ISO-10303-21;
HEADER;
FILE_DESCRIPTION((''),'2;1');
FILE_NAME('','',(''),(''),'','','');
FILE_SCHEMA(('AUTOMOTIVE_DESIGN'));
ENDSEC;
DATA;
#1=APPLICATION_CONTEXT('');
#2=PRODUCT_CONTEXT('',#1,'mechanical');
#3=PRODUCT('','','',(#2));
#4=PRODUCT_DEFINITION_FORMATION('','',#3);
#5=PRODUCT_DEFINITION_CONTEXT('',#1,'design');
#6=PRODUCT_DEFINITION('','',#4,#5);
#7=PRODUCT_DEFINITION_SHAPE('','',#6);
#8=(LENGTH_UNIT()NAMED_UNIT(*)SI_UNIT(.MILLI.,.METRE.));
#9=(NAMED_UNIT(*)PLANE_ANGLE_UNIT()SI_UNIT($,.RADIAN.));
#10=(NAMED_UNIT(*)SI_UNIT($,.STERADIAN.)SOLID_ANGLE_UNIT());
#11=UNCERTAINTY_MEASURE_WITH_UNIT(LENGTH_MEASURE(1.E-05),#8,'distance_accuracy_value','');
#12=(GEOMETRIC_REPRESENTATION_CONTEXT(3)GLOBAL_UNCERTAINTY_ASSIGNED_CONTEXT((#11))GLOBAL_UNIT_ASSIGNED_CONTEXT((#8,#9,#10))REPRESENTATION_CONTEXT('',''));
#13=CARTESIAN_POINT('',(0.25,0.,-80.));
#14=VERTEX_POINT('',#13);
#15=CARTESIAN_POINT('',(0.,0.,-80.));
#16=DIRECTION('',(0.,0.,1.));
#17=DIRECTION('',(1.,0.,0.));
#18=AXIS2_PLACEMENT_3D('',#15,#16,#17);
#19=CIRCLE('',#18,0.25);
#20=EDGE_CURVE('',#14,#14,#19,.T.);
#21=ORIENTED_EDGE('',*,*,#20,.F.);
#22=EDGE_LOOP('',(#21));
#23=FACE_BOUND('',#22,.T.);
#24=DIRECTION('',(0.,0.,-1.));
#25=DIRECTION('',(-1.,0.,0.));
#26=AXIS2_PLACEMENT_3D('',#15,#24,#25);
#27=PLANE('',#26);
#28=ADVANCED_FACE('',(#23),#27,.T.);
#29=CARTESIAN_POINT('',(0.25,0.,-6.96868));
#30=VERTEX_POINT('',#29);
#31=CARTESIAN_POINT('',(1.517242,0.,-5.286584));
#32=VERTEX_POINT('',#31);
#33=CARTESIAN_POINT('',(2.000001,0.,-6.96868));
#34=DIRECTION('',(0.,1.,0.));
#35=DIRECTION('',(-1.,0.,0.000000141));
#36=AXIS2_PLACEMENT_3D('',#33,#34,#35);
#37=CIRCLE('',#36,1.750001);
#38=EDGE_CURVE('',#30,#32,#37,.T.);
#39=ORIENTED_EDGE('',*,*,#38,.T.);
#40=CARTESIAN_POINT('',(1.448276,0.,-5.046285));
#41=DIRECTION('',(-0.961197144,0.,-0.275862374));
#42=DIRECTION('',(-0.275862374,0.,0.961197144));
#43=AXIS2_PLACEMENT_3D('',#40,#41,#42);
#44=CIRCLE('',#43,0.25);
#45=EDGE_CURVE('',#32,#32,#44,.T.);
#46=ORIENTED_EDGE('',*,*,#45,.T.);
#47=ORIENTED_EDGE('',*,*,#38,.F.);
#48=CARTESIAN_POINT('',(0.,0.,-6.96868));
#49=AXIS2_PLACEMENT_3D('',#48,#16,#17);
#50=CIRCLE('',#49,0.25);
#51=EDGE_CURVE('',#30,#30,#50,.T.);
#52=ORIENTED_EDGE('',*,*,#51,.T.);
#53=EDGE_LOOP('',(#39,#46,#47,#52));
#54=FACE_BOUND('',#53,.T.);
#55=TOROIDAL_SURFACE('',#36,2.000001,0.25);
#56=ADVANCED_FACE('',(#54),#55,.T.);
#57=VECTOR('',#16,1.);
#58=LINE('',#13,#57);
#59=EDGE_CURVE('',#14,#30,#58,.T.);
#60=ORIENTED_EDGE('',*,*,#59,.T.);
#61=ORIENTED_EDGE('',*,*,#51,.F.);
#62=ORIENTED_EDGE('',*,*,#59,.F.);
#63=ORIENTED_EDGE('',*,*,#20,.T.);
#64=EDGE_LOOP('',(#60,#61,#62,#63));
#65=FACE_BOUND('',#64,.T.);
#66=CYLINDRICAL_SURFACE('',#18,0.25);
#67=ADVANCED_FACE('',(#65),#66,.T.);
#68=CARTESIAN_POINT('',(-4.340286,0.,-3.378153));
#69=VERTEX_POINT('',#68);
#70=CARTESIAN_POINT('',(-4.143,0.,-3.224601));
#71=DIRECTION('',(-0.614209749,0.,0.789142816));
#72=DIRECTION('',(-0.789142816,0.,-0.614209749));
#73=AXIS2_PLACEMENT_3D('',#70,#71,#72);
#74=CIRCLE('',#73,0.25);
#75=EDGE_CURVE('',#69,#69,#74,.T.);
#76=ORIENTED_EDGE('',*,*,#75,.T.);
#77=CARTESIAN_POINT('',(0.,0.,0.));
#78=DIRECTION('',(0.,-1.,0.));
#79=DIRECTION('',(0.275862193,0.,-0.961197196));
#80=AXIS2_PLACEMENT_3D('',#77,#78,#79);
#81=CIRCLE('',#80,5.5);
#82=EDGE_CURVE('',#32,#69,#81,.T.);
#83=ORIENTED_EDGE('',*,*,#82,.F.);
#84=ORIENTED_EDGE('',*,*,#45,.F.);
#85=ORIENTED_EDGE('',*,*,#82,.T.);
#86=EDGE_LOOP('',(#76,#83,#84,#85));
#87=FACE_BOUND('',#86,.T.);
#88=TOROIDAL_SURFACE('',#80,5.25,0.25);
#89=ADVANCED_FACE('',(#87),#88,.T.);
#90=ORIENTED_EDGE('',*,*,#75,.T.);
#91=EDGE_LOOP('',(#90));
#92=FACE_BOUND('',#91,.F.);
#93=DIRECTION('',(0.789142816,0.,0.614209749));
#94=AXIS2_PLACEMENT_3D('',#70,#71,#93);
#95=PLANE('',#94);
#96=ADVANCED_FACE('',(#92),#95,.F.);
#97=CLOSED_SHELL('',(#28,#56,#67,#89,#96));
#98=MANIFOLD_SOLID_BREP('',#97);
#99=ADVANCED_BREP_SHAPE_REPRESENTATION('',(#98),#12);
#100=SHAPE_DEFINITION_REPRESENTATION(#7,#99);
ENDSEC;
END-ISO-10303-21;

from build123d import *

# Parameters (mm, degrees)
F2_R = 0.25


with BuildPart() as f3:
    # F3: sweep along a path in F0
    with BuildLine(Plane.XZ) as f3_path:
        Line((0, -80), (0, -6.96868))
        ThreePointArc((0, -6.96868), (0.402588, -5.765237), (1.448276, -5.046285))
        ThreePointArc((1.448276, -5.046285), (1.626351, 4.991741), (-4.143, -3.224601))
    # F2 (on face) → F3 (sweep)
    with BuildSketch(Plane(origin=(0, 0, -80), x_dir=(1, 0, 0), z_dir=(0, 0, -1))):
        Circle(F2_R)
    sweep(path=f3_path.line)


solid = f3.part
